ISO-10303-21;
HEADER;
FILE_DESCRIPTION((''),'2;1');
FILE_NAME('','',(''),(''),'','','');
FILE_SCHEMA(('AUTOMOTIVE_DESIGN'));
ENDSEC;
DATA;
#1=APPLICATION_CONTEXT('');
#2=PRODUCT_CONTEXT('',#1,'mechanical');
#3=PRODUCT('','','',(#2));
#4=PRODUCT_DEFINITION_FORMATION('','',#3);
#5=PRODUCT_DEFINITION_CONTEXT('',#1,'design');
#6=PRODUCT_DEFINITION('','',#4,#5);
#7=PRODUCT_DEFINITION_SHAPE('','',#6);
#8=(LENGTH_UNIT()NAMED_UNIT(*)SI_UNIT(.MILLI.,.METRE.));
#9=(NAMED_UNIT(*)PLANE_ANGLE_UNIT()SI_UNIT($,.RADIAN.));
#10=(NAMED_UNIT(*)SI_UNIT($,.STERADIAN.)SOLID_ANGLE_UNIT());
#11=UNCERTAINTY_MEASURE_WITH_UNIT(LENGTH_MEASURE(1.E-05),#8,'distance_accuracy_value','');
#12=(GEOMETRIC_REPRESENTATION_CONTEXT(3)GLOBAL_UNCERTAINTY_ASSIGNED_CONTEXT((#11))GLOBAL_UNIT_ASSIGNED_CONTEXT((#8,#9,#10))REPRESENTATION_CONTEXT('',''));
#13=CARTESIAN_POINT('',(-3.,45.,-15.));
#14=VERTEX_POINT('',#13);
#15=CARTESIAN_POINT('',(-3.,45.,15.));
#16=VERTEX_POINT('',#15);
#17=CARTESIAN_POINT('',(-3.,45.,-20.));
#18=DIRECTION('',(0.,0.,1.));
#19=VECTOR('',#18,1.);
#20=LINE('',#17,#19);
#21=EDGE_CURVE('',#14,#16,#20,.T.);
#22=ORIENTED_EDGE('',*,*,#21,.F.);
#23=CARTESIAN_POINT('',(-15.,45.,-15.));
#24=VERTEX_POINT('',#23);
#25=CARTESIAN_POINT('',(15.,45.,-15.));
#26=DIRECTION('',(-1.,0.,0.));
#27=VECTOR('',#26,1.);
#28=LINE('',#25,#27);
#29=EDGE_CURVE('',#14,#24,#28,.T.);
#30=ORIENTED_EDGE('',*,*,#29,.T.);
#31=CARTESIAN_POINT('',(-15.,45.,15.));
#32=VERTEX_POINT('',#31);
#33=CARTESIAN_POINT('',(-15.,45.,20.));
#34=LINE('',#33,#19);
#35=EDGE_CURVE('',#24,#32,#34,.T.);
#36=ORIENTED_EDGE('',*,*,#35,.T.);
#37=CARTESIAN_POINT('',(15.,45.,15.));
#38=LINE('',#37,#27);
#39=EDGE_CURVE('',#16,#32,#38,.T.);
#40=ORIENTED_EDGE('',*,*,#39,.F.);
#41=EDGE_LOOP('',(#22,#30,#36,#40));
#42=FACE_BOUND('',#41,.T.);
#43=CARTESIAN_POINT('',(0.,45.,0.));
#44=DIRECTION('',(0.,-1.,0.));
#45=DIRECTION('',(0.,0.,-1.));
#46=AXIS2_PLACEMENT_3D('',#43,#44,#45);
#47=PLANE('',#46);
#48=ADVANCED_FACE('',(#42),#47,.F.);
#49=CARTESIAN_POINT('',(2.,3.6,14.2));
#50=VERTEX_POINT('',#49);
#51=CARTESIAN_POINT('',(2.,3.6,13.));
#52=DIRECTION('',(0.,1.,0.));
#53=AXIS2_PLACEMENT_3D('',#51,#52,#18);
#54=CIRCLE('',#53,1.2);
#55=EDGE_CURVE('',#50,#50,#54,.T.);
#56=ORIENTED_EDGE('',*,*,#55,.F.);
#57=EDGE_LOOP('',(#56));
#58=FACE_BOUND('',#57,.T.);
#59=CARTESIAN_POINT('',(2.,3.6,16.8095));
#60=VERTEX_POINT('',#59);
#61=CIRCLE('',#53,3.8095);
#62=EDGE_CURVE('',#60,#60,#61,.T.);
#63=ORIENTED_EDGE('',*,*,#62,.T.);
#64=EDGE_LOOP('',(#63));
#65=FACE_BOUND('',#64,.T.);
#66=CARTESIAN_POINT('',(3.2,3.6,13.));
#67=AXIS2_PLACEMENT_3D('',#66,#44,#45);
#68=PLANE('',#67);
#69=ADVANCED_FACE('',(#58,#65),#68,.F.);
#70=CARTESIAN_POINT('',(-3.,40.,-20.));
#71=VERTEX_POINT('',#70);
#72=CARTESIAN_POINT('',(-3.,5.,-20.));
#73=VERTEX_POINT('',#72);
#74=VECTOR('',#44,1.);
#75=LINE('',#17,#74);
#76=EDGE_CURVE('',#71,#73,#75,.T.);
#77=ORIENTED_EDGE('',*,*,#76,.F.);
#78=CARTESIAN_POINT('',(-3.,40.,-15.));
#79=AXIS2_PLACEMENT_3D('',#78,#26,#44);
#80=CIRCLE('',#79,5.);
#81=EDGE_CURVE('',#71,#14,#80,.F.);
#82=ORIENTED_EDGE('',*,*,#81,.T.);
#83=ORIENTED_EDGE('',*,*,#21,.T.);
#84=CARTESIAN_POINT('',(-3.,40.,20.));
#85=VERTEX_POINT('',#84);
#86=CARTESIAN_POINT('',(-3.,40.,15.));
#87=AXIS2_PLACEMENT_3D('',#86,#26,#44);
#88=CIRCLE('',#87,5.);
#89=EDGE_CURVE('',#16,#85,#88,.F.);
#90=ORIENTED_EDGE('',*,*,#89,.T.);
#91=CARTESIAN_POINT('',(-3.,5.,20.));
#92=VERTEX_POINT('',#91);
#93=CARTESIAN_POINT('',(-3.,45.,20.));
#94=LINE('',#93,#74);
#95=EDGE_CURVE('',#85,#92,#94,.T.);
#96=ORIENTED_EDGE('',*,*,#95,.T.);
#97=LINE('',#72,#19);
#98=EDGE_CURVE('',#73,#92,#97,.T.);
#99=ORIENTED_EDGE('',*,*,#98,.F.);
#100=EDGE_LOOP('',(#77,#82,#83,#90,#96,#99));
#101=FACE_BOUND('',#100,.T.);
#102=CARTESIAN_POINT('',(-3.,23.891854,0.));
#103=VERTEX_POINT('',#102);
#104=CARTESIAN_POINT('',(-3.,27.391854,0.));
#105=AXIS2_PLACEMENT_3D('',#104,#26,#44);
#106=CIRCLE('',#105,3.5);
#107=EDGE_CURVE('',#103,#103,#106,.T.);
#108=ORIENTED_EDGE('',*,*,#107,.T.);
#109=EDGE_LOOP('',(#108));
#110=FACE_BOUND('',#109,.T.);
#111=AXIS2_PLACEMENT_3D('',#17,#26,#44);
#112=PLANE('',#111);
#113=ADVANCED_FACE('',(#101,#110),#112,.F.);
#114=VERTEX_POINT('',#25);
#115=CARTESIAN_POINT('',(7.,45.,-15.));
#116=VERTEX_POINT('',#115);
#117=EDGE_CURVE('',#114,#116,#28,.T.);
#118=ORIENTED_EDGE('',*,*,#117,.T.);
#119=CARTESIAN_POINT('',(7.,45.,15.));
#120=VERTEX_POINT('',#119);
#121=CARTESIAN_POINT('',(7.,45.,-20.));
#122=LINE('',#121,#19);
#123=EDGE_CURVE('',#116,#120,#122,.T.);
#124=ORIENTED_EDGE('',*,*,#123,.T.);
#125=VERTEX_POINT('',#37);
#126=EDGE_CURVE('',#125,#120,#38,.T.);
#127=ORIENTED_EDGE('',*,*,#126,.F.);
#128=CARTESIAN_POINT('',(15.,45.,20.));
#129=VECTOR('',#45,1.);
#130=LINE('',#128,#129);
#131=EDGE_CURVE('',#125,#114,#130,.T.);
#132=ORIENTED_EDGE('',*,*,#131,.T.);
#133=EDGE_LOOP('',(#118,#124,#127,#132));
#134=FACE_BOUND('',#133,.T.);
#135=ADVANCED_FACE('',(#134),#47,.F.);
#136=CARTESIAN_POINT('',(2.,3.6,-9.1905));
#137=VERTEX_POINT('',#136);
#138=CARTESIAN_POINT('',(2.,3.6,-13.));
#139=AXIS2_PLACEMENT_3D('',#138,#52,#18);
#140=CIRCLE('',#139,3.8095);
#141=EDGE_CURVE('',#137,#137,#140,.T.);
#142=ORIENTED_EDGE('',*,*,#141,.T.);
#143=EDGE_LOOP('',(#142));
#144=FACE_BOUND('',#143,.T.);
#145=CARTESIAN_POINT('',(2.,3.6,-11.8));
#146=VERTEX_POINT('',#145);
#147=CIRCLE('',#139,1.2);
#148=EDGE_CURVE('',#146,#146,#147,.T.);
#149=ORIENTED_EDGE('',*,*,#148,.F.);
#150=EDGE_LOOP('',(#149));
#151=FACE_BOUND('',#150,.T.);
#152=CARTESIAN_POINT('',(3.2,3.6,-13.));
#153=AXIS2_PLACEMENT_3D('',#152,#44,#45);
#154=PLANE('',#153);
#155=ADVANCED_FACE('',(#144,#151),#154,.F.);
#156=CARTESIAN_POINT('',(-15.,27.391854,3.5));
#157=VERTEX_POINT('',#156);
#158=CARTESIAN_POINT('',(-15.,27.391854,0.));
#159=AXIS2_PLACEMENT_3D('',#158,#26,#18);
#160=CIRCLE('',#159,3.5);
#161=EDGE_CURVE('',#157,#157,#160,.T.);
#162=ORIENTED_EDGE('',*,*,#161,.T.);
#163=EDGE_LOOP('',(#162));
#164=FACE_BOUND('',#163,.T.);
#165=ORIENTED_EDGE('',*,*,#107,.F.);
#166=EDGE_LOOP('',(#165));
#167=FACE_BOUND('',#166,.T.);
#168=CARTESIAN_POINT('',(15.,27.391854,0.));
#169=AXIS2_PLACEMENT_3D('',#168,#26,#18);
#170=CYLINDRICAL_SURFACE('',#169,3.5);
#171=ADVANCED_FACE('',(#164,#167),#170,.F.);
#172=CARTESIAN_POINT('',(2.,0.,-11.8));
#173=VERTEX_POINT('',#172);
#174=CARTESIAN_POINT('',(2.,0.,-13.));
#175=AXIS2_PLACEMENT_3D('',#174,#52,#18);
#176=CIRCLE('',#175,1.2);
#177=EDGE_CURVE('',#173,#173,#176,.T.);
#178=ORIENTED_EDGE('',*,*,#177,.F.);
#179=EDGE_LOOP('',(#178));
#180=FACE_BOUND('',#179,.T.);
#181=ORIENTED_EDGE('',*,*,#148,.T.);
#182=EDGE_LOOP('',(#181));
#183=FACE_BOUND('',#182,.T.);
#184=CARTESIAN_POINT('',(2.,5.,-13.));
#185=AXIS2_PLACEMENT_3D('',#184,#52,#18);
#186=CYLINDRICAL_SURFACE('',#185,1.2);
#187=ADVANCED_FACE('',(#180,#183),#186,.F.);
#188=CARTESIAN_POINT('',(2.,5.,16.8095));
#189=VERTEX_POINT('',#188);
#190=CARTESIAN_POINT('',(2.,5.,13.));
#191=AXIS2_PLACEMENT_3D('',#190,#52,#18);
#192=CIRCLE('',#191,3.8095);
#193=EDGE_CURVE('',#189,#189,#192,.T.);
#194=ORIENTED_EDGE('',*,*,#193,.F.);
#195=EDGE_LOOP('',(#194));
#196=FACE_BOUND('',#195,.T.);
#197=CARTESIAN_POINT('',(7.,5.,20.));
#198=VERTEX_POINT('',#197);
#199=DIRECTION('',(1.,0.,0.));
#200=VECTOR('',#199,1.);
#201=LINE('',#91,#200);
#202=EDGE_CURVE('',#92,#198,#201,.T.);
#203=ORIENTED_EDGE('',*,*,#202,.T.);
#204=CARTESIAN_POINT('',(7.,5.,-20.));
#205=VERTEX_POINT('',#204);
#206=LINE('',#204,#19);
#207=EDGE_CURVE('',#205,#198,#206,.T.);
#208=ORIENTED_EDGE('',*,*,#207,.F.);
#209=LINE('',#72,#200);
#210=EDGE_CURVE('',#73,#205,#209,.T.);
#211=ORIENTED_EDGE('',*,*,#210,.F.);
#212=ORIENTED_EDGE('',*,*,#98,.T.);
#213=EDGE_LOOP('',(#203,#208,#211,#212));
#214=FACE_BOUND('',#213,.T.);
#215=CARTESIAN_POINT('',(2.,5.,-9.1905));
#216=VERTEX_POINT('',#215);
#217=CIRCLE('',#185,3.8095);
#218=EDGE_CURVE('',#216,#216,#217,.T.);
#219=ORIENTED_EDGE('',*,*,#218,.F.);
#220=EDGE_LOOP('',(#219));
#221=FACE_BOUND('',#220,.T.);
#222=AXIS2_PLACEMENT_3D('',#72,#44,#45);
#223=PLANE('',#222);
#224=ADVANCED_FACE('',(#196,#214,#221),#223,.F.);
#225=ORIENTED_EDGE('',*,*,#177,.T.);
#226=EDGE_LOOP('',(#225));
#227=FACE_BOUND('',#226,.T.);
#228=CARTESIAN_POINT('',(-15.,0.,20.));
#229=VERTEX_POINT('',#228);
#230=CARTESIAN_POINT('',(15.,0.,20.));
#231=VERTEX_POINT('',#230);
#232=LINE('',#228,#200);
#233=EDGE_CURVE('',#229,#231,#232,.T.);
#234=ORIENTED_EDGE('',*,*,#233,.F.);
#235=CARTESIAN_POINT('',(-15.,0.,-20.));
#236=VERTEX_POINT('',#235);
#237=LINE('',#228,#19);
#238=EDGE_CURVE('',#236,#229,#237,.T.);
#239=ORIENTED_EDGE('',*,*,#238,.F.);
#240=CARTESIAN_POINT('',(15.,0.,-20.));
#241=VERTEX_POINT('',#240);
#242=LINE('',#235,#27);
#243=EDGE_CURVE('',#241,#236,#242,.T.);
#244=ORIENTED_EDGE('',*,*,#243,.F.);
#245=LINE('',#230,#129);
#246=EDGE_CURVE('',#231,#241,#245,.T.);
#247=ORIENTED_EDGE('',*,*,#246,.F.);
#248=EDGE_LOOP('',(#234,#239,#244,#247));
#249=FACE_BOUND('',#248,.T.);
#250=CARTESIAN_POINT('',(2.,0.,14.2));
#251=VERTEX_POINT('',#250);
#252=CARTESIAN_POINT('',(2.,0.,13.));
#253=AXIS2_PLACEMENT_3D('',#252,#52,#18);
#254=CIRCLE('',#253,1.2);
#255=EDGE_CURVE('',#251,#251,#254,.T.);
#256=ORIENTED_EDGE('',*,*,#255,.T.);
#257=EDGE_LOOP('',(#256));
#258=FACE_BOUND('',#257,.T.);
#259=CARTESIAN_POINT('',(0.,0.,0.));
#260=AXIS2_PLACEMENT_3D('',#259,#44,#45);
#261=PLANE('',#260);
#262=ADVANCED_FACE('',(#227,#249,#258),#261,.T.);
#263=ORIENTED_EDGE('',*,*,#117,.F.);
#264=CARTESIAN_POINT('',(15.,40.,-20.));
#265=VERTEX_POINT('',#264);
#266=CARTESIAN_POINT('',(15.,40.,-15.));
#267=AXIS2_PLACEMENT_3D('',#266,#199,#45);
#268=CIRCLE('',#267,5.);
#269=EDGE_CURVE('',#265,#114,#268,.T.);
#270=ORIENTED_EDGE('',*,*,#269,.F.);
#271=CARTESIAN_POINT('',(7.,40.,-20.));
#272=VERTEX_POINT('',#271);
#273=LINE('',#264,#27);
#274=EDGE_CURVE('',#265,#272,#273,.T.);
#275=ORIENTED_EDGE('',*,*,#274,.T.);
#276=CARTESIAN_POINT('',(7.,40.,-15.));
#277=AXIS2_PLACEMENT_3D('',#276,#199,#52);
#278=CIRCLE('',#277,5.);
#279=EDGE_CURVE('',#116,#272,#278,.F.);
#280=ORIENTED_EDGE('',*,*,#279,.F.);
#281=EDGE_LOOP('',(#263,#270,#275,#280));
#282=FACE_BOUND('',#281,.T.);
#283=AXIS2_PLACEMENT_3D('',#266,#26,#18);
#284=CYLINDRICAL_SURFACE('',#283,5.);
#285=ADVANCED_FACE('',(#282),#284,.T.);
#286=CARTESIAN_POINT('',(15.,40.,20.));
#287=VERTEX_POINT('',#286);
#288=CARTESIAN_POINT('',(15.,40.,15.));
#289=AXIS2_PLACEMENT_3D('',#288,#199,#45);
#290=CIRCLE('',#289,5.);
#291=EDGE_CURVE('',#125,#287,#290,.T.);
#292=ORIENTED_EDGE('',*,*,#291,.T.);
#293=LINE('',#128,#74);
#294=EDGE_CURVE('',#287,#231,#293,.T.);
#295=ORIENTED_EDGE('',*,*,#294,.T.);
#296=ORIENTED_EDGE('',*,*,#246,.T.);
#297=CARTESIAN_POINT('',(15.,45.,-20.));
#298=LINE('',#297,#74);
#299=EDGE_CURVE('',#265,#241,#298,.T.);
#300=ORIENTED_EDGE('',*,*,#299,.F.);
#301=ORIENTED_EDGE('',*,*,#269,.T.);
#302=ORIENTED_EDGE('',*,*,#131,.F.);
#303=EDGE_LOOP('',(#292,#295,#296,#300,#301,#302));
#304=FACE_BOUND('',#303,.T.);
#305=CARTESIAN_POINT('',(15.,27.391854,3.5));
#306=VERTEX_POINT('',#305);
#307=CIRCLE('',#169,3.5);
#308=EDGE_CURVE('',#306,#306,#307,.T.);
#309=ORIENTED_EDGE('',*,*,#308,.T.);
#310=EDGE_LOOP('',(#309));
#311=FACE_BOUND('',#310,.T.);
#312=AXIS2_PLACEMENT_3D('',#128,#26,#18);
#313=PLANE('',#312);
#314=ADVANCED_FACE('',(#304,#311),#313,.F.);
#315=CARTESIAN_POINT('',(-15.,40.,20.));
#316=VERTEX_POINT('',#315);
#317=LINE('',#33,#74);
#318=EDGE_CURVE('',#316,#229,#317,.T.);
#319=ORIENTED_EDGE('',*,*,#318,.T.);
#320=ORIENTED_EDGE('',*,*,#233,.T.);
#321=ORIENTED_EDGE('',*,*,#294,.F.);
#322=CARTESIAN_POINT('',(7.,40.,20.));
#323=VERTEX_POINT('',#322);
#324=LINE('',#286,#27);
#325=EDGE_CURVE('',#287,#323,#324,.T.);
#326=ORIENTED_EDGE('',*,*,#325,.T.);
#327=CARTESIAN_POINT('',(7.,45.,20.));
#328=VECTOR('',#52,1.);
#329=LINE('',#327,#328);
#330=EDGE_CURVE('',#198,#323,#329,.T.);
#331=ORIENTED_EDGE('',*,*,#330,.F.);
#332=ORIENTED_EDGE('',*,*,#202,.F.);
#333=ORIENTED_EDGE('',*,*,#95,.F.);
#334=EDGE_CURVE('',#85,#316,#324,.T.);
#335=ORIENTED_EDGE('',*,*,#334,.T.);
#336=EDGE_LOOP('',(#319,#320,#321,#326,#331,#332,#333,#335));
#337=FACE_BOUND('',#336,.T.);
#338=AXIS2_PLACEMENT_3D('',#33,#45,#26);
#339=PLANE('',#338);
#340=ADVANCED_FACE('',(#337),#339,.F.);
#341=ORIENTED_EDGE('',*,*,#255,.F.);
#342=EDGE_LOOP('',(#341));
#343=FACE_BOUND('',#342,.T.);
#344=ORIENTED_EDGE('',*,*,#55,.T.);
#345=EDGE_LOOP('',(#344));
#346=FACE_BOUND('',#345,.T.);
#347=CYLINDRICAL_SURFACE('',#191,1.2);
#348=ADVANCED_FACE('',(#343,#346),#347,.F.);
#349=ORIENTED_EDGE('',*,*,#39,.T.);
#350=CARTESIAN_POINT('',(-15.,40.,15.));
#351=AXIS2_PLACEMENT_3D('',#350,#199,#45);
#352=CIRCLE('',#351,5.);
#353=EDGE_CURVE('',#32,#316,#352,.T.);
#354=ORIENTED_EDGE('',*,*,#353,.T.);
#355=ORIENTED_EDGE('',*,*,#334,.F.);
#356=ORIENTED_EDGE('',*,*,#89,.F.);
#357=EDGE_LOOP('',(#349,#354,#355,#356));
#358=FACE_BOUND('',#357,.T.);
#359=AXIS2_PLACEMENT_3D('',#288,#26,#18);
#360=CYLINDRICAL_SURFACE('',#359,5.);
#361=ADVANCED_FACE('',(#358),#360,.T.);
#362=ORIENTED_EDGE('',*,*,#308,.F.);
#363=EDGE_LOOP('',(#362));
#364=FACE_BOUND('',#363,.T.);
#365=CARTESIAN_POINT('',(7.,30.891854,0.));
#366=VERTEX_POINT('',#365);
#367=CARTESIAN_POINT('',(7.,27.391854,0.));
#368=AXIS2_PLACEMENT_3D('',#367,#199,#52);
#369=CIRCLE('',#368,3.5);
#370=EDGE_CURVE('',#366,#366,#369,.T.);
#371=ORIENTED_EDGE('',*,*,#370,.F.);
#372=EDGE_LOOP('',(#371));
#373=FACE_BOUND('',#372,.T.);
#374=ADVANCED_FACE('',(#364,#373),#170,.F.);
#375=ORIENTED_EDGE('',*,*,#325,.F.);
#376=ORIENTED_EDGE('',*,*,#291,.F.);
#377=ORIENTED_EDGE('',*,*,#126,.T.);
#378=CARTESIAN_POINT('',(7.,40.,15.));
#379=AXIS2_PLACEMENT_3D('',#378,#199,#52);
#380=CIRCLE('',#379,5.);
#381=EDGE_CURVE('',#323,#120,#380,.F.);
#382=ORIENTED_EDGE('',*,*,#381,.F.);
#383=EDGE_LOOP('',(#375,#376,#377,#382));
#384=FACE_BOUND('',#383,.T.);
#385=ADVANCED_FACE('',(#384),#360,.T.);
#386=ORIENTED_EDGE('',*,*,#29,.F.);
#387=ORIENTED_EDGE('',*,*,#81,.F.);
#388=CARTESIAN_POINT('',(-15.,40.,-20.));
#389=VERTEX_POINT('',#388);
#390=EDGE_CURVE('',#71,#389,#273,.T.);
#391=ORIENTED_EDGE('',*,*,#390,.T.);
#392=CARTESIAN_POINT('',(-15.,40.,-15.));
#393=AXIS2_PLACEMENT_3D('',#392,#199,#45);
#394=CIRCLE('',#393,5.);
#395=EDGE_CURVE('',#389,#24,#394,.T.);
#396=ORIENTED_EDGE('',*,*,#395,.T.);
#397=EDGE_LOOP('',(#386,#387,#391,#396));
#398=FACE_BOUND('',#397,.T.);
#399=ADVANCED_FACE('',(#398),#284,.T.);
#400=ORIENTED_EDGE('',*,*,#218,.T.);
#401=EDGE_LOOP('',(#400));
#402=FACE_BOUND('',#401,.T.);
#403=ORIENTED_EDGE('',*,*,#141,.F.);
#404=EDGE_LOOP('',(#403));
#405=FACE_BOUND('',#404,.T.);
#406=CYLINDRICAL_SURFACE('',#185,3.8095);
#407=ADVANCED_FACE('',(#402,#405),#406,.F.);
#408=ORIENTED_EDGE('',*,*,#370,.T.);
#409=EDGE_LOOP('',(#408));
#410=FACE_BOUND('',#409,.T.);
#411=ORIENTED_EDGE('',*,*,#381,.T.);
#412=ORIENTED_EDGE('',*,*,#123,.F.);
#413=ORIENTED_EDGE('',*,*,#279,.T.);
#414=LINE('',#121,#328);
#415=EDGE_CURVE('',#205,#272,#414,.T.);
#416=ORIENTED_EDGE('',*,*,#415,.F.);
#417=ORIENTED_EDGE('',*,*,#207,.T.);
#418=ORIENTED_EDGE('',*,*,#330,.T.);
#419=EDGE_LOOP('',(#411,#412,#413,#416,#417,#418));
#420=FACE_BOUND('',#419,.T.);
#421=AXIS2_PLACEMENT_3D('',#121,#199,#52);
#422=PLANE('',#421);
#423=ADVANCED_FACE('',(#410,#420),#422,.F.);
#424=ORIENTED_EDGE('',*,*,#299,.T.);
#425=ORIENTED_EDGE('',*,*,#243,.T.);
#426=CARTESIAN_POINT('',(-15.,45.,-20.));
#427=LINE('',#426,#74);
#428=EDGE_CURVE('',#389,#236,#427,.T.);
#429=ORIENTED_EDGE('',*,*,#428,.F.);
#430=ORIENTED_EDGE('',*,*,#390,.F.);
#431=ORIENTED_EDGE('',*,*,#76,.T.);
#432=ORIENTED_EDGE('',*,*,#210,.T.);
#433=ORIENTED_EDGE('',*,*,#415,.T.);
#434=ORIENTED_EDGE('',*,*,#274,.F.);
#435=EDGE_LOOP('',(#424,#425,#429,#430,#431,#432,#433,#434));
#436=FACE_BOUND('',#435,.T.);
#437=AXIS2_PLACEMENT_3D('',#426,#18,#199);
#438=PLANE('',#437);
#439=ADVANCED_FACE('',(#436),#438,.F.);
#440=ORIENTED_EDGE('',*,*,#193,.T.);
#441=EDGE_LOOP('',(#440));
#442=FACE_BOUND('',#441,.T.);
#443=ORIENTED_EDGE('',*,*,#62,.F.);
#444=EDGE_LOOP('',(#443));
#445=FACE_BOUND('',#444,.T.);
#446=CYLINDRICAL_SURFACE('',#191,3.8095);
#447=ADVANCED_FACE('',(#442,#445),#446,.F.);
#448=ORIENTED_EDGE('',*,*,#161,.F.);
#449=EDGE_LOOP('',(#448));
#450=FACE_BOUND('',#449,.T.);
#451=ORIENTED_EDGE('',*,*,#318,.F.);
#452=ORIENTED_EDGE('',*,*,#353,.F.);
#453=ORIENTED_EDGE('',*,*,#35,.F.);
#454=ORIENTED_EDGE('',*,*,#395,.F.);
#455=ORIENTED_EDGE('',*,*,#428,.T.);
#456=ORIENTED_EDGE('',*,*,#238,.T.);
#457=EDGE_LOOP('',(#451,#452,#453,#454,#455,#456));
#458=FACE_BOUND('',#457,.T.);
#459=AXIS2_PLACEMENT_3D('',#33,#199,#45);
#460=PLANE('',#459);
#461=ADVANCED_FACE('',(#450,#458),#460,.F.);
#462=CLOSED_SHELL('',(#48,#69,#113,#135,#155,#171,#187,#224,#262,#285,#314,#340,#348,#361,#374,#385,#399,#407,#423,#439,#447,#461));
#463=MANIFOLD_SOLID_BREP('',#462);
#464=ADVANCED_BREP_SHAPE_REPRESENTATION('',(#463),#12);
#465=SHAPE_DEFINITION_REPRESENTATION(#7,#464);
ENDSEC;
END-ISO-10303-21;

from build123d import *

# Parameters (mm, degrees)
SKETCH1_W                                    = 30
SKETCH1_H                                    = 40
BOSS_EXTRUDE1_DEPTH                          = 45
SKETCH2_W                                    = 10
SKETCH2_H                                    = 40
CUT_EXTRUDE1_DEPTH                           = 63.04836823
SKETCH3_R                                    = 3.5
CUT_EXTRUDE2_DEPTH                           = 58.662812973
CUT_EXTRUDE3_DEPTH                           = 58.662812973
CBORE_FOR_M2_HEX_HEAD_CAP_SCREW1_D           = 2.4
CBORE_FOR_M2_HEX_HEAD_CAP_SCREW1_CBORE_D     = 7.619
CBORE_FOR_M2_HEX_HEAD_CAP_SCREW1_CBORE_DEPTH = 1.4


with BuildPart() as part:
    # Sketch1 → Boss-Extrude1 (new body)
    with BuildSketch(Plane(origin=(0, 0, 0), x_dir=(1, 0, 0), z_dir=(0, 1, 0))):
        Rectangle(SKETCH1_W, SKETCH1_H)
    extrude(amount=BOSS_EXTRUDE1_DEPTH)

    # Sketch2 → Cut-Extrude1 (cut, through all)
    with BuildSketch(Plane.XY.offset(20)):
        with Locations((2, 25)):
            Rectangle(SKETCH2_W, SKETCH2_H)
    extrude(amount=-CUT_EXTRUDE1_DEPTH, mode=Mode.SUBTRACT)

    # Sketch3 → Cut-Extrude2 (cut, through all)
    with BuildSketch(Plane.ZY.offset(15)):
        with Locations((0, 27.391853945)):
            Circle(SKETCH3_R)
    extrude(amount=-CUT_EXTRUDE2_DEPTH, mode=Mode.SUBTRACT)

    # Sketch4 → Cut-Extrude3 (cut, through all)
    with BuildSketch(Plane.ZY.offset(15)):
        with BuildLine():
            Line((-20, 45), (-15, 45))
            ThreePointArc((-15, 45), (-18.535533906, 43.535533906), (-20, 40))
            Line((-20, 40), (-20, 45))
        make_face()
        with BuildLine():
            Line((15, 45), (20, 45))
            Line((20, 45), (20, 40))
            ThreePointArc((20, 40), (18.535533906, 43.535533906), (15, 45))
        make_face()
    extrude(amount=-CUT_EXTRUDE3_DEPTH, mode=Mode.SUBTRACT)

    # CBORE for M2 Hex Head Cap Screw1 (through all)
    with Locations(Plane(origin=(0, 5, 0), x_dir=(1, 0, 0), z_dir=(0, 1, 0))):
        with Locations((2, -13), (2, 13)):
            CounterBoreHole(CBORE_FOR_M2_HEX_HEAD_CAP_SCREW1_D / 2, CBORE_FOR_M2_HEX_HEAD_CAP_SCREW1_CBORE_D / 2, CBORE_FOR_M2_HEX_HEAD_CAP_SCREW1_CBORE_DEPTH)


solid = part.part
